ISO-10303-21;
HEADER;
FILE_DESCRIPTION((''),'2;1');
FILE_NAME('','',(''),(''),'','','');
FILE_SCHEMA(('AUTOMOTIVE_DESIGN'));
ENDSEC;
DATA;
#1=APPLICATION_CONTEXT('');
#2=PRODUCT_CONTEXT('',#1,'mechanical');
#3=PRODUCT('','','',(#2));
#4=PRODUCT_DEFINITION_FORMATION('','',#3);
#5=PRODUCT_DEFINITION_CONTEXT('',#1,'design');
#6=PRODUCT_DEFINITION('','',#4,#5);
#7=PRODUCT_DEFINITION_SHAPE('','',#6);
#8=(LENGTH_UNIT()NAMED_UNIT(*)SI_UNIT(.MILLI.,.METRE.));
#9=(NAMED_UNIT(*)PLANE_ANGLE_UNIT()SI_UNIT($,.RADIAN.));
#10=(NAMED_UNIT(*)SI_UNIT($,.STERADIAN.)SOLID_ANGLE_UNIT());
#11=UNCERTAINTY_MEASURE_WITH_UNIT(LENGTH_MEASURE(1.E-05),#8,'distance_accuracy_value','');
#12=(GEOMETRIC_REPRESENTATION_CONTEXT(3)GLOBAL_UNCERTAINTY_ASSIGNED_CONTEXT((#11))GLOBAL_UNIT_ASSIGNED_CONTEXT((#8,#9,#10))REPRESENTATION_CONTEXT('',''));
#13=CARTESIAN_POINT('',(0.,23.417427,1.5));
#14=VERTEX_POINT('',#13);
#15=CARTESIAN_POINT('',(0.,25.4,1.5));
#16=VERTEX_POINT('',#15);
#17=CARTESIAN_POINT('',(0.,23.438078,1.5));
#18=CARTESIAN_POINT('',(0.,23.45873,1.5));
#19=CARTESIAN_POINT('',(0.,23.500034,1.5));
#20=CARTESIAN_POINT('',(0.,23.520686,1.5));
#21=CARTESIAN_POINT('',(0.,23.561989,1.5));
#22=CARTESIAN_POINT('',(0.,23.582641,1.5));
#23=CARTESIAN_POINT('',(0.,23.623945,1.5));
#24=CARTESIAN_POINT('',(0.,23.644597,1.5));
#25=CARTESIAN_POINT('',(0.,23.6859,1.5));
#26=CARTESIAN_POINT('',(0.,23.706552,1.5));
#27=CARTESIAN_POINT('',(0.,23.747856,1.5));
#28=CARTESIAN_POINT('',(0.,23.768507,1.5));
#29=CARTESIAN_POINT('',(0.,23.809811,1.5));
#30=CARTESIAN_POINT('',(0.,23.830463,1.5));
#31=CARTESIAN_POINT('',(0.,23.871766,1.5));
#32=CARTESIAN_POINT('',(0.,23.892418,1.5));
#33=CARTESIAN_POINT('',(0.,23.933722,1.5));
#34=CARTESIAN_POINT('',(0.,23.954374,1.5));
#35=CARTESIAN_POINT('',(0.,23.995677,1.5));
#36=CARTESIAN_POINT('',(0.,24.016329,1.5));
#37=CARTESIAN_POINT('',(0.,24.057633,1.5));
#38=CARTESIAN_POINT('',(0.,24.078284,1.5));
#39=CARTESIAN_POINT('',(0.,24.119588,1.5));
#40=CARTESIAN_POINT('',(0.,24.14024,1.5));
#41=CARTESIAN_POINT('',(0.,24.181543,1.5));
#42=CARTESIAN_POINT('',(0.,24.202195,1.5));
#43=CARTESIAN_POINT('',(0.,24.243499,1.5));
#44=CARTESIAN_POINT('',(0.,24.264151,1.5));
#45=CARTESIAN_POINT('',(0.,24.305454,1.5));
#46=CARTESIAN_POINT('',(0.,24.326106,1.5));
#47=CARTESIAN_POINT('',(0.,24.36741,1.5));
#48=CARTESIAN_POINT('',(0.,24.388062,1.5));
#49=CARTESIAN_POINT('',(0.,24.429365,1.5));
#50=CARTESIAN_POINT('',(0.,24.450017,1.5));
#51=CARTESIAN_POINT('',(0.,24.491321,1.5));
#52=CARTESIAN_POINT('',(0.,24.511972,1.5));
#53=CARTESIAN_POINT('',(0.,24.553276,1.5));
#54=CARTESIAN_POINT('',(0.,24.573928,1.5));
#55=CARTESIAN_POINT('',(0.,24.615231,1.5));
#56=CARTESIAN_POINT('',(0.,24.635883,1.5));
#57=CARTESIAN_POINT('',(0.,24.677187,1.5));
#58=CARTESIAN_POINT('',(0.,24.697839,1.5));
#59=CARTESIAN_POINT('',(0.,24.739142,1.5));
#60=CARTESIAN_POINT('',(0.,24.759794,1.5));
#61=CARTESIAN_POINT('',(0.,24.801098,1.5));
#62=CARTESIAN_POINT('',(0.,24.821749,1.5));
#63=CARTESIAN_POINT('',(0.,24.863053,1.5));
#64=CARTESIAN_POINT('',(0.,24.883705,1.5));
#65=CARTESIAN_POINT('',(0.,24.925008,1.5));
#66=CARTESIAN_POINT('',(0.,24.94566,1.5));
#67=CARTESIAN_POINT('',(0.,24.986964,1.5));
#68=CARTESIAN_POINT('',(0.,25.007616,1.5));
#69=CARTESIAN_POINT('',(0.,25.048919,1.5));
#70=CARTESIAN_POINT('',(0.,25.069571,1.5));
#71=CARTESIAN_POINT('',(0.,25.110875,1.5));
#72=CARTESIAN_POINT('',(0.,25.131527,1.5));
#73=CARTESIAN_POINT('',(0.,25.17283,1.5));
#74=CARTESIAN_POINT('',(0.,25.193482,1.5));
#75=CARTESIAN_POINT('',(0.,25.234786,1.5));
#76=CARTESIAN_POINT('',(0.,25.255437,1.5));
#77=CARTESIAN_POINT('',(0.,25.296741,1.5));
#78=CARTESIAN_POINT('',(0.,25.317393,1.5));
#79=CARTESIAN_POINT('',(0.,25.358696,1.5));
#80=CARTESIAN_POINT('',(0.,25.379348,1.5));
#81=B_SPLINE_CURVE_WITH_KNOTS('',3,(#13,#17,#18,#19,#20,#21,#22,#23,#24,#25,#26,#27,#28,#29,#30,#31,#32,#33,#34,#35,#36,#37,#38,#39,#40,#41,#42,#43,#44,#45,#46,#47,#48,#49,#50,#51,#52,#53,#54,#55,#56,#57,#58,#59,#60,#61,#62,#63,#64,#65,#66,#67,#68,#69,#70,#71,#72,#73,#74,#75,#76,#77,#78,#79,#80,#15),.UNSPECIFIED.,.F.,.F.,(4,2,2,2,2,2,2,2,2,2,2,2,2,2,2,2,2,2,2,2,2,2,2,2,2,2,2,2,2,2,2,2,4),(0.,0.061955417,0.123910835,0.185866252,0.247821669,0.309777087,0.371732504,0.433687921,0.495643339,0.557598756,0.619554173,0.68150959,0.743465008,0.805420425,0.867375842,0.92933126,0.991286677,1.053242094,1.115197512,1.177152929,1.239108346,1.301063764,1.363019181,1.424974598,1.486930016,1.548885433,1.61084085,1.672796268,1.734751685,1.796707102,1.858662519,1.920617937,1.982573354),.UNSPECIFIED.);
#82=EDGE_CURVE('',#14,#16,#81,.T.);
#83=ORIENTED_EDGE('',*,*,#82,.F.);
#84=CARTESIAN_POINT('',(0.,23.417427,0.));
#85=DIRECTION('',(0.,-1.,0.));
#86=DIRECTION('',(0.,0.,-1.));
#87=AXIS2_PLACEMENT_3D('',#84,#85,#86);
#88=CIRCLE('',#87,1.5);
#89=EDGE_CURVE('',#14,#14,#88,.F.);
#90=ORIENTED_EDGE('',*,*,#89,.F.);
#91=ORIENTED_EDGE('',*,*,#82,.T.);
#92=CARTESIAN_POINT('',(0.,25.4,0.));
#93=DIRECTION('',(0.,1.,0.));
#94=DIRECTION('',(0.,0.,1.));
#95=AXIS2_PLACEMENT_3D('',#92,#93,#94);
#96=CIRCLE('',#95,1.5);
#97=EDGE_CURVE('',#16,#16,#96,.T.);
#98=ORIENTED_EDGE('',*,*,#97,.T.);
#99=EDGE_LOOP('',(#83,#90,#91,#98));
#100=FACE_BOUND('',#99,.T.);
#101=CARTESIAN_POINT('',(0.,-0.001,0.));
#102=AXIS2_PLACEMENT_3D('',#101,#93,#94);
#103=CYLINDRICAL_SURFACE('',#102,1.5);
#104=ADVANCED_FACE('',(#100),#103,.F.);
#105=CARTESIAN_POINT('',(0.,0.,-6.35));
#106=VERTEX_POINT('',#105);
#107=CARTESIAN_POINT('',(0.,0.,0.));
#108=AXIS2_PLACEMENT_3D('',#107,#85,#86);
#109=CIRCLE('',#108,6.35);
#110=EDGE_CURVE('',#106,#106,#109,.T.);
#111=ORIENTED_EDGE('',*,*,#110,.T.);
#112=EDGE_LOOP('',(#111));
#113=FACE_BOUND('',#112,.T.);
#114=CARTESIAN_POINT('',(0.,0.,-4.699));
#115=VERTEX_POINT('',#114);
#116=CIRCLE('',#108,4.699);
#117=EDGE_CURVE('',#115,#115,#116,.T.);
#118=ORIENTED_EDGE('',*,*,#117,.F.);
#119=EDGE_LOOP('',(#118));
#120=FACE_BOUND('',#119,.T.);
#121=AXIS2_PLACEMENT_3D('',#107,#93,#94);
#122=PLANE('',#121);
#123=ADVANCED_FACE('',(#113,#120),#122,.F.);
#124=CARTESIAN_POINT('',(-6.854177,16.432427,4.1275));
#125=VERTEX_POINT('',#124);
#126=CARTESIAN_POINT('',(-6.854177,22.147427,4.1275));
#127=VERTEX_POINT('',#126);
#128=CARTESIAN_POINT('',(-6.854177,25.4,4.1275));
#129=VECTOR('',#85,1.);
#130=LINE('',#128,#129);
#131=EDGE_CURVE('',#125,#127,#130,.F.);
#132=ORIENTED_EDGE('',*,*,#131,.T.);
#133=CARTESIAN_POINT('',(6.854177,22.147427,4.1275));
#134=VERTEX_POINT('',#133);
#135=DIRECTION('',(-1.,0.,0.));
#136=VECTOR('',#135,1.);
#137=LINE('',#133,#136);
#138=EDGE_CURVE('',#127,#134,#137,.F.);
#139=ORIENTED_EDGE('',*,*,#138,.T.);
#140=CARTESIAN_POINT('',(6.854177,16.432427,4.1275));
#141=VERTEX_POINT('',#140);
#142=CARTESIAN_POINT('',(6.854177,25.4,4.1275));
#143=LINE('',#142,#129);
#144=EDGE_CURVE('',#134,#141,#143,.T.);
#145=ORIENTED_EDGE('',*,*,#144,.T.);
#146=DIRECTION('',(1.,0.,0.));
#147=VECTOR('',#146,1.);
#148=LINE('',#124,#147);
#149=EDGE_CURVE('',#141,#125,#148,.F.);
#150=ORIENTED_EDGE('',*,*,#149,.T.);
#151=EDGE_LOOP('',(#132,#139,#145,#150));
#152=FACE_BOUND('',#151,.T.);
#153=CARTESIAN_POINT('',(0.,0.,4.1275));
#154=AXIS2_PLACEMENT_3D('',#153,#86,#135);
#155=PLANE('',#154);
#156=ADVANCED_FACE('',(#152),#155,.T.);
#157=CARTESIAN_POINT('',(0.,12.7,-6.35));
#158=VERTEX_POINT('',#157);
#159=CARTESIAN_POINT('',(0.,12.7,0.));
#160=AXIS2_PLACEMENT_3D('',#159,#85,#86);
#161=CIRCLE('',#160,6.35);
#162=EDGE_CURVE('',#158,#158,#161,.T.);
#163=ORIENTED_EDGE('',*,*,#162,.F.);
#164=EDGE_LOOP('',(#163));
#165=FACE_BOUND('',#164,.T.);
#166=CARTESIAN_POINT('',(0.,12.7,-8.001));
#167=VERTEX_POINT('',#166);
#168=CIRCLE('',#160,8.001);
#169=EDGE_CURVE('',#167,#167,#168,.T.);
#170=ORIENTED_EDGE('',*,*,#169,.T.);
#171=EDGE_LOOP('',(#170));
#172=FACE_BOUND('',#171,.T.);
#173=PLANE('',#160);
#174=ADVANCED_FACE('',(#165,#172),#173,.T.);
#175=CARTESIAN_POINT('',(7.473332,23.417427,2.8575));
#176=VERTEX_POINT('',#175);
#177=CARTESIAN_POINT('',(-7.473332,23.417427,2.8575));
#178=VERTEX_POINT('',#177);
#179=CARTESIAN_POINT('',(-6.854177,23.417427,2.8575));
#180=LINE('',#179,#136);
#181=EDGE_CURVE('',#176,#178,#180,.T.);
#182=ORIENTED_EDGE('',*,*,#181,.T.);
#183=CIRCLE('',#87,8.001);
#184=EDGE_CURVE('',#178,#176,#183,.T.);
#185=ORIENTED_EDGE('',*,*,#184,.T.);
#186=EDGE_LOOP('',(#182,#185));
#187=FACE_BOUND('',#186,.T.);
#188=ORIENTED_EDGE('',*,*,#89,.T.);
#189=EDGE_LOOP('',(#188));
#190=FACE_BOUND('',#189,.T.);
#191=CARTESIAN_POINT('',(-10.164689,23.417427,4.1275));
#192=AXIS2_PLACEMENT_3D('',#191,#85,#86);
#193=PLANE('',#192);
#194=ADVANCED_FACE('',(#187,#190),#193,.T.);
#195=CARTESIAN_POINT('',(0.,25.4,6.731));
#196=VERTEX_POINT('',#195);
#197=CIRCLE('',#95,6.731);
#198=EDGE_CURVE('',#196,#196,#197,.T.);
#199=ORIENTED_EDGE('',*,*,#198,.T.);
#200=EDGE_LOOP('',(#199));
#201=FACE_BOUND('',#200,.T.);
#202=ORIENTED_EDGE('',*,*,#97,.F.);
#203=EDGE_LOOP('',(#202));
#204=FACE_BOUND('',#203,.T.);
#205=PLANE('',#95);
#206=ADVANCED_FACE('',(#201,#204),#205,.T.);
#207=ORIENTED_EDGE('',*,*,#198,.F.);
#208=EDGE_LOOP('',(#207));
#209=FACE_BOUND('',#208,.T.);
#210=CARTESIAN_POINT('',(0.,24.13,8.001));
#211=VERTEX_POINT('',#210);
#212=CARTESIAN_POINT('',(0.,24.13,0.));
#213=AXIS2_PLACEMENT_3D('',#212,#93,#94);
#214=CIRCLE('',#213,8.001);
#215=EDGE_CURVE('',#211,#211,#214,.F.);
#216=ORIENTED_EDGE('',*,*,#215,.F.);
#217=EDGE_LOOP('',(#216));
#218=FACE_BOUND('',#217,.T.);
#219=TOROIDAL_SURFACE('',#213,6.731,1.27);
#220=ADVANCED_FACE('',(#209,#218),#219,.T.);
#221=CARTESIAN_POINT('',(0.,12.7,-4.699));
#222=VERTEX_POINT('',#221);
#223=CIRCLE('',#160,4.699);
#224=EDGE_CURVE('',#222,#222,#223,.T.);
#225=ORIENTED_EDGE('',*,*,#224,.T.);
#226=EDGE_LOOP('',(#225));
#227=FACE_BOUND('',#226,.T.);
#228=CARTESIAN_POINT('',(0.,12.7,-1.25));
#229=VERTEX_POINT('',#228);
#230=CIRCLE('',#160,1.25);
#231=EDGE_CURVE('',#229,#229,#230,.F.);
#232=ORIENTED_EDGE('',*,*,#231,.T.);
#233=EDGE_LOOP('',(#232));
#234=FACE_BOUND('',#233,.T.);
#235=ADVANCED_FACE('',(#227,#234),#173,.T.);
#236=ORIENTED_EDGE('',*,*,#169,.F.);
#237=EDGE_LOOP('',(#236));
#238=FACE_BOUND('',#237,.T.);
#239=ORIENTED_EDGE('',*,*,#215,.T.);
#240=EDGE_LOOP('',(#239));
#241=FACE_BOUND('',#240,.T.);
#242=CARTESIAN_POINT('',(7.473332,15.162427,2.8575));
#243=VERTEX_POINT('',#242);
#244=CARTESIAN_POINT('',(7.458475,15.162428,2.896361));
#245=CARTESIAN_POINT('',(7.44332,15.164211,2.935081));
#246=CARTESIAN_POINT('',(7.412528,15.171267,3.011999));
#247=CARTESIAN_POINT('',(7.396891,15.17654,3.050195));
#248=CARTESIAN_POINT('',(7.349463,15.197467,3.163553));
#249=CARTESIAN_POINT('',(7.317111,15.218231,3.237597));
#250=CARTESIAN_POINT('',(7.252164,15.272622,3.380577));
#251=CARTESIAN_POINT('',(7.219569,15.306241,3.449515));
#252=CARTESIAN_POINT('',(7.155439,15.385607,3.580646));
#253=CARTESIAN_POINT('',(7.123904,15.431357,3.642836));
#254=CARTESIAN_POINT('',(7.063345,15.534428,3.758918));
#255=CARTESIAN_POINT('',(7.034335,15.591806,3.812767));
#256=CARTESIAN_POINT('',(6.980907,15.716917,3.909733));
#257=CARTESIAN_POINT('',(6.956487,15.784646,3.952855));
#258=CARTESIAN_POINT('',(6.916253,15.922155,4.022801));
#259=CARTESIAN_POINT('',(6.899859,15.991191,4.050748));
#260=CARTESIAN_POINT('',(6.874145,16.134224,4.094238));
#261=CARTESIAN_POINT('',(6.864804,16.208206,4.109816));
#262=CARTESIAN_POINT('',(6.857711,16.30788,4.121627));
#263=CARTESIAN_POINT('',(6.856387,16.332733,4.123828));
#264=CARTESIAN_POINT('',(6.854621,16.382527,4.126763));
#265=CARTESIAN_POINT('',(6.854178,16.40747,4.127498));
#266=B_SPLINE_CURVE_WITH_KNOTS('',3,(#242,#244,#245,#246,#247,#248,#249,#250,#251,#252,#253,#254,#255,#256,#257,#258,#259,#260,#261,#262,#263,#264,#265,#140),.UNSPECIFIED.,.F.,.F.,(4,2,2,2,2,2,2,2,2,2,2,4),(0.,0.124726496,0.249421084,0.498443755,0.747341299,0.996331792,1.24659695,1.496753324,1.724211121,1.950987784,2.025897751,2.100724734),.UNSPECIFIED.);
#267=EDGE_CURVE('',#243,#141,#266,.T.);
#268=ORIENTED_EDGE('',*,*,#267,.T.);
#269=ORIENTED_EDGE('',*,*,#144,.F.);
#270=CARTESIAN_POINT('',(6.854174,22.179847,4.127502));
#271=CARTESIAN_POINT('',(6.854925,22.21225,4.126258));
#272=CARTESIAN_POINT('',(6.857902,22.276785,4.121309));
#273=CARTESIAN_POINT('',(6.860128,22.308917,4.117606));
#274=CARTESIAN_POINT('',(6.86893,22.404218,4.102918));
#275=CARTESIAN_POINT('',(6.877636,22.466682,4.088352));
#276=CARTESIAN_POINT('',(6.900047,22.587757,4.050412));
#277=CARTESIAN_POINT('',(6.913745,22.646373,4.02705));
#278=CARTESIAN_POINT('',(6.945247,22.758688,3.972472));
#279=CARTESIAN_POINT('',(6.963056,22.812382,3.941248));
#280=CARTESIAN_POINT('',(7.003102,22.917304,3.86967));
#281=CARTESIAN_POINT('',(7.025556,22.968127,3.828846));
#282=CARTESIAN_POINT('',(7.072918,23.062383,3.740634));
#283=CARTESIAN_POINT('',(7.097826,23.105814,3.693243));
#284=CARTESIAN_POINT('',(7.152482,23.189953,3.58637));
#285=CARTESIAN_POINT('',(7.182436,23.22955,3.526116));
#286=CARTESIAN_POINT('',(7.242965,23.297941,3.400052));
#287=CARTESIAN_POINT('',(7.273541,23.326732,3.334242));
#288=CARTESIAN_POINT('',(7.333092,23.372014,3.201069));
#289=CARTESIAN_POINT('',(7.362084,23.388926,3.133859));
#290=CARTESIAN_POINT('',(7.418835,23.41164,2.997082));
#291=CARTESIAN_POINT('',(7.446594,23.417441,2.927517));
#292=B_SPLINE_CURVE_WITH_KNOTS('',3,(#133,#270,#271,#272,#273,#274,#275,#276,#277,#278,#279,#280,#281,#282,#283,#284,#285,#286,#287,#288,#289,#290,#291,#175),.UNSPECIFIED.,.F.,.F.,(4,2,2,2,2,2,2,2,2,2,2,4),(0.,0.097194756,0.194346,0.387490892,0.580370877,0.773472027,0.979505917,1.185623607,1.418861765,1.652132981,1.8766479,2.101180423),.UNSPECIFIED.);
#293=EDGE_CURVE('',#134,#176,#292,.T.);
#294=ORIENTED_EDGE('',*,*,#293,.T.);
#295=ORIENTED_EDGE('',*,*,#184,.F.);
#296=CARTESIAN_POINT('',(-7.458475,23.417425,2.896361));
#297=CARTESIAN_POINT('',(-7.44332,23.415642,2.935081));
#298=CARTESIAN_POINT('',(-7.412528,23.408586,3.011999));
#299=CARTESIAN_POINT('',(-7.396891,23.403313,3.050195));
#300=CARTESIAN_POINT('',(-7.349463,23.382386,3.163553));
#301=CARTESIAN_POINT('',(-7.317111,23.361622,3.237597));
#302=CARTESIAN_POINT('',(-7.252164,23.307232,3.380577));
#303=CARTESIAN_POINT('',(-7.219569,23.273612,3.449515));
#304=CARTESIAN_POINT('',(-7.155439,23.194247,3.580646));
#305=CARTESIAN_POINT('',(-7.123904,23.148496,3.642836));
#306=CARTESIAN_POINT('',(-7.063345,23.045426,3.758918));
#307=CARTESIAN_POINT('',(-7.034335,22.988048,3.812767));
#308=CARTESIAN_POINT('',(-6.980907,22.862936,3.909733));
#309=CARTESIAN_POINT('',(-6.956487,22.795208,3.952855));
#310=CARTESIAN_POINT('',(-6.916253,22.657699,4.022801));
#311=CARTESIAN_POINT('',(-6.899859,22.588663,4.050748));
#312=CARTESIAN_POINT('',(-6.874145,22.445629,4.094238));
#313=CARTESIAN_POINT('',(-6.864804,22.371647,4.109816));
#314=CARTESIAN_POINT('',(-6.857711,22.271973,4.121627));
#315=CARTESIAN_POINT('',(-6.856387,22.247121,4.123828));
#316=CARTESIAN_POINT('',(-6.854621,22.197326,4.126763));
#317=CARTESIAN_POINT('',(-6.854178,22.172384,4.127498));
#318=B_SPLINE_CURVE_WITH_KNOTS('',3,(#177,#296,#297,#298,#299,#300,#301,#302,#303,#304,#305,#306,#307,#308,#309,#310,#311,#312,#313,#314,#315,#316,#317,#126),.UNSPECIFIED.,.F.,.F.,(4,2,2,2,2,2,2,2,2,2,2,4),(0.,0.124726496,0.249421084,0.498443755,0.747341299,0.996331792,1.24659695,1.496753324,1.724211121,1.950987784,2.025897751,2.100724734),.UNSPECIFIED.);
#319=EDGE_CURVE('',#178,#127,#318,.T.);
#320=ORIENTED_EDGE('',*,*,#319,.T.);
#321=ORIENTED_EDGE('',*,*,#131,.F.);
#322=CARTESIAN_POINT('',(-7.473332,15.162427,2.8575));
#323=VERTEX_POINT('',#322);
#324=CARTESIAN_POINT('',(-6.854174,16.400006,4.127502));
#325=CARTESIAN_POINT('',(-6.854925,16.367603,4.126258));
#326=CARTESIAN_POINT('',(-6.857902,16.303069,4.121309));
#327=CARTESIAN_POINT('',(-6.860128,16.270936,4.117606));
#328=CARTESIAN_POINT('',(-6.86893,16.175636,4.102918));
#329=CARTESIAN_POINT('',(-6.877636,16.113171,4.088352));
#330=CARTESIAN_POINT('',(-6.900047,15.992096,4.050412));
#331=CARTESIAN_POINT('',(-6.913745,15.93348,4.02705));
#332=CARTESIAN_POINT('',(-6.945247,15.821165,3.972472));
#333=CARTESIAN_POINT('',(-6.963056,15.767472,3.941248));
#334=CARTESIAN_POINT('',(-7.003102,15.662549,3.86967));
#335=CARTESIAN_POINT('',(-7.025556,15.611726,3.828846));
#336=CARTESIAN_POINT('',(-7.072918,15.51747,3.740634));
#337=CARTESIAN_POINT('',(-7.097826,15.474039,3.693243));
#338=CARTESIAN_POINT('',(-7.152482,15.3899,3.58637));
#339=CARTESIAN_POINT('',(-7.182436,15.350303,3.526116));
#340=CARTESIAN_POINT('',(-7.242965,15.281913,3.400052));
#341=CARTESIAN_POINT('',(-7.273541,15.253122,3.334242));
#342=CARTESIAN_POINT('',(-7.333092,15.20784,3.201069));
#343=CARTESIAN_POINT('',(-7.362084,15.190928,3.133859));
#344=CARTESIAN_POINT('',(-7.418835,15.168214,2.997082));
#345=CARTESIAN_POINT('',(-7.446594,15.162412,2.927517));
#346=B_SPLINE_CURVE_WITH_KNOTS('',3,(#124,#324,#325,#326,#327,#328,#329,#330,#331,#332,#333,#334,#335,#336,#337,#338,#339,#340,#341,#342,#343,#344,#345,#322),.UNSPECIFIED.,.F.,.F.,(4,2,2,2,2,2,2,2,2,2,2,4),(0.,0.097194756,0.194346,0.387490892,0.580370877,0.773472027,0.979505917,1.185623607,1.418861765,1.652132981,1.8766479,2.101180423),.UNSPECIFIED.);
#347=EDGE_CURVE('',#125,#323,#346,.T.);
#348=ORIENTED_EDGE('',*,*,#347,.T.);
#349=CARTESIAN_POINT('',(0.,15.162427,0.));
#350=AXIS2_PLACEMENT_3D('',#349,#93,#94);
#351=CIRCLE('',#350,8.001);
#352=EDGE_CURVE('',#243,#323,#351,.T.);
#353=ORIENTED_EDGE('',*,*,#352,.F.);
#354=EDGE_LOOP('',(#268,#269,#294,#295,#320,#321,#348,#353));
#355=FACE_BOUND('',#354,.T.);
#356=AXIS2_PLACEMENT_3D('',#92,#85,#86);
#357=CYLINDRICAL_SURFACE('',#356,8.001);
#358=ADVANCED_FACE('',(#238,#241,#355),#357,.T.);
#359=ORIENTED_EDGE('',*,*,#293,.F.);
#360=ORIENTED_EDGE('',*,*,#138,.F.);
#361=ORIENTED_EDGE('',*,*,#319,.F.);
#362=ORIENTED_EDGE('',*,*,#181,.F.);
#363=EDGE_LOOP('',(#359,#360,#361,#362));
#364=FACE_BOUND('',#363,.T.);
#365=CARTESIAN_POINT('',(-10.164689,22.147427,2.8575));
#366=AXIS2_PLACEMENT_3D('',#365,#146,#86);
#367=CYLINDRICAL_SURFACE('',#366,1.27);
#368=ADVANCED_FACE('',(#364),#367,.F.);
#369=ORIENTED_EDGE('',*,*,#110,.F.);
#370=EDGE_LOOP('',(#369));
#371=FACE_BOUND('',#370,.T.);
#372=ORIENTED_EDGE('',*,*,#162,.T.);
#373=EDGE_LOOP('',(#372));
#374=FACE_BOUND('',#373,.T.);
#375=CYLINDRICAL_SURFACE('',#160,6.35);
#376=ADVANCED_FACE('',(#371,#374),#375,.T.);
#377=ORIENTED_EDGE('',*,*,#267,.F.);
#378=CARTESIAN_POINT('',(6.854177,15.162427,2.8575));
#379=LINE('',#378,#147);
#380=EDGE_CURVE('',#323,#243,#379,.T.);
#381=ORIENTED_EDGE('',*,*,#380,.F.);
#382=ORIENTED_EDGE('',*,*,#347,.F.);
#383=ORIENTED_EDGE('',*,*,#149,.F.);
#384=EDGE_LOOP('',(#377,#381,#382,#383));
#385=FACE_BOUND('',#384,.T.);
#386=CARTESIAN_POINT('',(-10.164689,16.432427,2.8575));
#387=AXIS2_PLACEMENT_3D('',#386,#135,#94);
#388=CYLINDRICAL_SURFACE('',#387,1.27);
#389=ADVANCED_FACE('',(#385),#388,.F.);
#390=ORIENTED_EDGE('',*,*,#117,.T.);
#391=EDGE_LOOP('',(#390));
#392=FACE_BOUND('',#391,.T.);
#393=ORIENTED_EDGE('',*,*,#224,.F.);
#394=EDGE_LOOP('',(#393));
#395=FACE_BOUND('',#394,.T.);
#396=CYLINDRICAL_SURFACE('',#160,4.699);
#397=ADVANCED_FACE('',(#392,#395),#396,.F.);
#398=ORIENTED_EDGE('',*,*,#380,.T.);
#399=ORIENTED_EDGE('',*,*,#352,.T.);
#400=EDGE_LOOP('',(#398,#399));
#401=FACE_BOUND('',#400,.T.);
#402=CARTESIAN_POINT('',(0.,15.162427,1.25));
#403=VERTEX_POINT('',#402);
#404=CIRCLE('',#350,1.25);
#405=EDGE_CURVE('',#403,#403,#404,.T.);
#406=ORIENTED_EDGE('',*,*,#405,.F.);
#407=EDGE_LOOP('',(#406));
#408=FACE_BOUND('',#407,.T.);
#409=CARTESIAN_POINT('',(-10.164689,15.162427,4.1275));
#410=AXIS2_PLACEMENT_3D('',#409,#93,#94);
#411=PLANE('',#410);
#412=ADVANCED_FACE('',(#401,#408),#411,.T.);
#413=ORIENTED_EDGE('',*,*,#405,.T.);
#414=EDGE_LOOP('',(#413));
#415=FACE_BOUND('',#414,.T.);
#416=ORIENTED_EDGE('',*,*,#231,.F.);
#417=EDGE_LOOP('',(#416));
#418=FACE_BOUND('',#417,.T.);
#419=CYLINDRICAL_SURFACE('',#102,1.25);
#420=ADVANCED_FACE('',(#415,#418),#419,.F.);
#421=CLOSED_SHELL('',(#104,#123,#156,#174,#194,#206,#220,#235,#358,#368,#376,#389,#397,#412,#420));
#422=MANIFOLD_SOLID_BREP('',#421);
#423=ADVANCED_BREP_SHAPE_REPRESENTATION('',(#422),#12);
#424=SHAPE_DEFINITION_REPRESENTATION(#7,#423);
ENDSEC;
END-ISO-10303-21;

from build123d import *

# Parameters (mm, degrees)
SKETCH1_R               = 8.001
BOSS_EXTRUDE1_DEPTH     = 25.4
SKETCH2_R               = 8.001
SKETCH2_R_2             = 6.35
SKETCH2_R_3             = 4.699
CUT_EXTRUDE1_DEPTH      = 12.7
CUT_EXTRUDE4_DEPTH      = 4.1275
CUT_EXTRUDE4_DEPTH_BACK = 12.7
SKETCH5_W               = 21.214200292
SKETCH5_H               = 8.255
CUT_EXTRUDE5_REACH      = 29.806
SKETCH6_R               = 1.5
FILLET2_R               = 1.27
FILLET3_R               = 1.27
CUT_EXTRUDE6_REACH      = 20.919
SKETCH7_R               = 1.25


with BuildPart() as part:
    # Sketch1 → Boss-Extrude1 (new body)
    with BuildSketch(Plane(origin=(0, 0, 0), x_dir=(1, 0, 0), z_dir=(0, 1, 0))):
        with Locations(Location((0, 0, 0), (0, 0, 270))):
            Circle(SKETCH1_R)
    extrude(amount=BOSS_EXTRUDE1_DEPTH)

    # Sketch2 → Cut-Extrude1 (cut)
    # profile 1 of 2: a face of its own
    with BuildSketch(Plane(origin=(0, 0, 0), x_dir=(-1, 0, 0), z_dir=(0, -1, 0))):
        with Locations(Location((0, 0, 0), (0, 0, 90))):
            Circle(SKETCH2_R)
        with Locations(Location((0, 0, 0), (0, 0, 90))):
            Circle(SKETCH2_R_2, mode=Mode.SUBTRACT)
    # profile 2 of 2: a face of its own
    with BuildSketch(Plane(origin=(0, 0, 0), x_dir=(-1, 0, 0), z_dir=(0, -1, 0))):
        with Locations(Location((0, 0, 0), (0, 0, 90))):
            Circle(SKETCH2_R_3)
    extrude(amount=-CUT_EXTRUDE1_DEPTH, mode=Mode.SUBTRACT)

    # Sketch5 → Cut-Extrude4 (cut, two sides: drawn at the far end of the back side and taken through both)
    with BuildSketch(Plane.XY.offset(-CUT_EXTRUDE4_DEPTH_BACK)):
        with Locations((0.442410985, 19.289926646)):
            Rectangle(SKETCH5_W, SKETCH5_H)
    extrude(amount=CUT_EXTRUDE4_DEPTH + CUT_EXTRUDE4_DEPTH_BACK, mode=Mode.SUBTRACT)

    # Sketch6 → Cut-Extrude5 (cut, up to next)
    with BuildSketch(Plane(origin=(0, 25.4, 0), x_dir=(1, 0, 0), z_dir=(0, 1, 0)), mode=Mode.PRIVATE) as cut_extrude5_sk1:
        with Locations(Location((0, 0, 0), (0, 0, 270))):
            Circle(SKETCH6_R)
    cut_extrude5_tool1 = extrude(cut_extrude5_sk1.sketch, amount=-CUT_EXTRUDE5_REACH, mode=Mode.PRIVATE) & part.part
    add(cut_extrude5_tool1.solids().sort_by_distance((0, 25.4, 0))[0], mode=Mode.SUBTRACT)

    # Fillet2
    fillet2_edges = [part.edges().sort_by_distance(p)[0] for p in [
        (0, 23.417426646, 4.1275),
        (0, 15.162426646, 4.1275),
    ]]
    fillet(fillet2_edges, radius=FILLET2_R)

    # Fillet3
    fillet3_edges = [part.edges().sort_by_distance(p)[0] for p in [
        (0, 25.4, -8.001),
    ]]
    fillet(fillet3_edges, radius=FILLET3_R)

    # Sketch7 → Cut-Extrude6 (cut, up to next)
    with BuildSketch(Plane(origin=(0, 15.162426646, 0), x_dir=(1, 0, 0), z_dir=(0, 1, 0)), mode=Mode.PRIVATE) as cut_extrude6_sk1:
        with Locations(Location((0, 0, 0), (0, 0, 270))):
            Circle(SKETCH7_R)
    cut_extrude6_tool1 = extrude(cut_extrude6_sk1.sketch, amount=-CUT_EXTRUDE6_REACH, mode=Mode.PRIVATE) & part.part
    add(cut_extrude6_tool1.solids().sort_by_distance((0, 15.162427, 0))[0], mode=Mode.SUBTRACT)


solid = part.part
